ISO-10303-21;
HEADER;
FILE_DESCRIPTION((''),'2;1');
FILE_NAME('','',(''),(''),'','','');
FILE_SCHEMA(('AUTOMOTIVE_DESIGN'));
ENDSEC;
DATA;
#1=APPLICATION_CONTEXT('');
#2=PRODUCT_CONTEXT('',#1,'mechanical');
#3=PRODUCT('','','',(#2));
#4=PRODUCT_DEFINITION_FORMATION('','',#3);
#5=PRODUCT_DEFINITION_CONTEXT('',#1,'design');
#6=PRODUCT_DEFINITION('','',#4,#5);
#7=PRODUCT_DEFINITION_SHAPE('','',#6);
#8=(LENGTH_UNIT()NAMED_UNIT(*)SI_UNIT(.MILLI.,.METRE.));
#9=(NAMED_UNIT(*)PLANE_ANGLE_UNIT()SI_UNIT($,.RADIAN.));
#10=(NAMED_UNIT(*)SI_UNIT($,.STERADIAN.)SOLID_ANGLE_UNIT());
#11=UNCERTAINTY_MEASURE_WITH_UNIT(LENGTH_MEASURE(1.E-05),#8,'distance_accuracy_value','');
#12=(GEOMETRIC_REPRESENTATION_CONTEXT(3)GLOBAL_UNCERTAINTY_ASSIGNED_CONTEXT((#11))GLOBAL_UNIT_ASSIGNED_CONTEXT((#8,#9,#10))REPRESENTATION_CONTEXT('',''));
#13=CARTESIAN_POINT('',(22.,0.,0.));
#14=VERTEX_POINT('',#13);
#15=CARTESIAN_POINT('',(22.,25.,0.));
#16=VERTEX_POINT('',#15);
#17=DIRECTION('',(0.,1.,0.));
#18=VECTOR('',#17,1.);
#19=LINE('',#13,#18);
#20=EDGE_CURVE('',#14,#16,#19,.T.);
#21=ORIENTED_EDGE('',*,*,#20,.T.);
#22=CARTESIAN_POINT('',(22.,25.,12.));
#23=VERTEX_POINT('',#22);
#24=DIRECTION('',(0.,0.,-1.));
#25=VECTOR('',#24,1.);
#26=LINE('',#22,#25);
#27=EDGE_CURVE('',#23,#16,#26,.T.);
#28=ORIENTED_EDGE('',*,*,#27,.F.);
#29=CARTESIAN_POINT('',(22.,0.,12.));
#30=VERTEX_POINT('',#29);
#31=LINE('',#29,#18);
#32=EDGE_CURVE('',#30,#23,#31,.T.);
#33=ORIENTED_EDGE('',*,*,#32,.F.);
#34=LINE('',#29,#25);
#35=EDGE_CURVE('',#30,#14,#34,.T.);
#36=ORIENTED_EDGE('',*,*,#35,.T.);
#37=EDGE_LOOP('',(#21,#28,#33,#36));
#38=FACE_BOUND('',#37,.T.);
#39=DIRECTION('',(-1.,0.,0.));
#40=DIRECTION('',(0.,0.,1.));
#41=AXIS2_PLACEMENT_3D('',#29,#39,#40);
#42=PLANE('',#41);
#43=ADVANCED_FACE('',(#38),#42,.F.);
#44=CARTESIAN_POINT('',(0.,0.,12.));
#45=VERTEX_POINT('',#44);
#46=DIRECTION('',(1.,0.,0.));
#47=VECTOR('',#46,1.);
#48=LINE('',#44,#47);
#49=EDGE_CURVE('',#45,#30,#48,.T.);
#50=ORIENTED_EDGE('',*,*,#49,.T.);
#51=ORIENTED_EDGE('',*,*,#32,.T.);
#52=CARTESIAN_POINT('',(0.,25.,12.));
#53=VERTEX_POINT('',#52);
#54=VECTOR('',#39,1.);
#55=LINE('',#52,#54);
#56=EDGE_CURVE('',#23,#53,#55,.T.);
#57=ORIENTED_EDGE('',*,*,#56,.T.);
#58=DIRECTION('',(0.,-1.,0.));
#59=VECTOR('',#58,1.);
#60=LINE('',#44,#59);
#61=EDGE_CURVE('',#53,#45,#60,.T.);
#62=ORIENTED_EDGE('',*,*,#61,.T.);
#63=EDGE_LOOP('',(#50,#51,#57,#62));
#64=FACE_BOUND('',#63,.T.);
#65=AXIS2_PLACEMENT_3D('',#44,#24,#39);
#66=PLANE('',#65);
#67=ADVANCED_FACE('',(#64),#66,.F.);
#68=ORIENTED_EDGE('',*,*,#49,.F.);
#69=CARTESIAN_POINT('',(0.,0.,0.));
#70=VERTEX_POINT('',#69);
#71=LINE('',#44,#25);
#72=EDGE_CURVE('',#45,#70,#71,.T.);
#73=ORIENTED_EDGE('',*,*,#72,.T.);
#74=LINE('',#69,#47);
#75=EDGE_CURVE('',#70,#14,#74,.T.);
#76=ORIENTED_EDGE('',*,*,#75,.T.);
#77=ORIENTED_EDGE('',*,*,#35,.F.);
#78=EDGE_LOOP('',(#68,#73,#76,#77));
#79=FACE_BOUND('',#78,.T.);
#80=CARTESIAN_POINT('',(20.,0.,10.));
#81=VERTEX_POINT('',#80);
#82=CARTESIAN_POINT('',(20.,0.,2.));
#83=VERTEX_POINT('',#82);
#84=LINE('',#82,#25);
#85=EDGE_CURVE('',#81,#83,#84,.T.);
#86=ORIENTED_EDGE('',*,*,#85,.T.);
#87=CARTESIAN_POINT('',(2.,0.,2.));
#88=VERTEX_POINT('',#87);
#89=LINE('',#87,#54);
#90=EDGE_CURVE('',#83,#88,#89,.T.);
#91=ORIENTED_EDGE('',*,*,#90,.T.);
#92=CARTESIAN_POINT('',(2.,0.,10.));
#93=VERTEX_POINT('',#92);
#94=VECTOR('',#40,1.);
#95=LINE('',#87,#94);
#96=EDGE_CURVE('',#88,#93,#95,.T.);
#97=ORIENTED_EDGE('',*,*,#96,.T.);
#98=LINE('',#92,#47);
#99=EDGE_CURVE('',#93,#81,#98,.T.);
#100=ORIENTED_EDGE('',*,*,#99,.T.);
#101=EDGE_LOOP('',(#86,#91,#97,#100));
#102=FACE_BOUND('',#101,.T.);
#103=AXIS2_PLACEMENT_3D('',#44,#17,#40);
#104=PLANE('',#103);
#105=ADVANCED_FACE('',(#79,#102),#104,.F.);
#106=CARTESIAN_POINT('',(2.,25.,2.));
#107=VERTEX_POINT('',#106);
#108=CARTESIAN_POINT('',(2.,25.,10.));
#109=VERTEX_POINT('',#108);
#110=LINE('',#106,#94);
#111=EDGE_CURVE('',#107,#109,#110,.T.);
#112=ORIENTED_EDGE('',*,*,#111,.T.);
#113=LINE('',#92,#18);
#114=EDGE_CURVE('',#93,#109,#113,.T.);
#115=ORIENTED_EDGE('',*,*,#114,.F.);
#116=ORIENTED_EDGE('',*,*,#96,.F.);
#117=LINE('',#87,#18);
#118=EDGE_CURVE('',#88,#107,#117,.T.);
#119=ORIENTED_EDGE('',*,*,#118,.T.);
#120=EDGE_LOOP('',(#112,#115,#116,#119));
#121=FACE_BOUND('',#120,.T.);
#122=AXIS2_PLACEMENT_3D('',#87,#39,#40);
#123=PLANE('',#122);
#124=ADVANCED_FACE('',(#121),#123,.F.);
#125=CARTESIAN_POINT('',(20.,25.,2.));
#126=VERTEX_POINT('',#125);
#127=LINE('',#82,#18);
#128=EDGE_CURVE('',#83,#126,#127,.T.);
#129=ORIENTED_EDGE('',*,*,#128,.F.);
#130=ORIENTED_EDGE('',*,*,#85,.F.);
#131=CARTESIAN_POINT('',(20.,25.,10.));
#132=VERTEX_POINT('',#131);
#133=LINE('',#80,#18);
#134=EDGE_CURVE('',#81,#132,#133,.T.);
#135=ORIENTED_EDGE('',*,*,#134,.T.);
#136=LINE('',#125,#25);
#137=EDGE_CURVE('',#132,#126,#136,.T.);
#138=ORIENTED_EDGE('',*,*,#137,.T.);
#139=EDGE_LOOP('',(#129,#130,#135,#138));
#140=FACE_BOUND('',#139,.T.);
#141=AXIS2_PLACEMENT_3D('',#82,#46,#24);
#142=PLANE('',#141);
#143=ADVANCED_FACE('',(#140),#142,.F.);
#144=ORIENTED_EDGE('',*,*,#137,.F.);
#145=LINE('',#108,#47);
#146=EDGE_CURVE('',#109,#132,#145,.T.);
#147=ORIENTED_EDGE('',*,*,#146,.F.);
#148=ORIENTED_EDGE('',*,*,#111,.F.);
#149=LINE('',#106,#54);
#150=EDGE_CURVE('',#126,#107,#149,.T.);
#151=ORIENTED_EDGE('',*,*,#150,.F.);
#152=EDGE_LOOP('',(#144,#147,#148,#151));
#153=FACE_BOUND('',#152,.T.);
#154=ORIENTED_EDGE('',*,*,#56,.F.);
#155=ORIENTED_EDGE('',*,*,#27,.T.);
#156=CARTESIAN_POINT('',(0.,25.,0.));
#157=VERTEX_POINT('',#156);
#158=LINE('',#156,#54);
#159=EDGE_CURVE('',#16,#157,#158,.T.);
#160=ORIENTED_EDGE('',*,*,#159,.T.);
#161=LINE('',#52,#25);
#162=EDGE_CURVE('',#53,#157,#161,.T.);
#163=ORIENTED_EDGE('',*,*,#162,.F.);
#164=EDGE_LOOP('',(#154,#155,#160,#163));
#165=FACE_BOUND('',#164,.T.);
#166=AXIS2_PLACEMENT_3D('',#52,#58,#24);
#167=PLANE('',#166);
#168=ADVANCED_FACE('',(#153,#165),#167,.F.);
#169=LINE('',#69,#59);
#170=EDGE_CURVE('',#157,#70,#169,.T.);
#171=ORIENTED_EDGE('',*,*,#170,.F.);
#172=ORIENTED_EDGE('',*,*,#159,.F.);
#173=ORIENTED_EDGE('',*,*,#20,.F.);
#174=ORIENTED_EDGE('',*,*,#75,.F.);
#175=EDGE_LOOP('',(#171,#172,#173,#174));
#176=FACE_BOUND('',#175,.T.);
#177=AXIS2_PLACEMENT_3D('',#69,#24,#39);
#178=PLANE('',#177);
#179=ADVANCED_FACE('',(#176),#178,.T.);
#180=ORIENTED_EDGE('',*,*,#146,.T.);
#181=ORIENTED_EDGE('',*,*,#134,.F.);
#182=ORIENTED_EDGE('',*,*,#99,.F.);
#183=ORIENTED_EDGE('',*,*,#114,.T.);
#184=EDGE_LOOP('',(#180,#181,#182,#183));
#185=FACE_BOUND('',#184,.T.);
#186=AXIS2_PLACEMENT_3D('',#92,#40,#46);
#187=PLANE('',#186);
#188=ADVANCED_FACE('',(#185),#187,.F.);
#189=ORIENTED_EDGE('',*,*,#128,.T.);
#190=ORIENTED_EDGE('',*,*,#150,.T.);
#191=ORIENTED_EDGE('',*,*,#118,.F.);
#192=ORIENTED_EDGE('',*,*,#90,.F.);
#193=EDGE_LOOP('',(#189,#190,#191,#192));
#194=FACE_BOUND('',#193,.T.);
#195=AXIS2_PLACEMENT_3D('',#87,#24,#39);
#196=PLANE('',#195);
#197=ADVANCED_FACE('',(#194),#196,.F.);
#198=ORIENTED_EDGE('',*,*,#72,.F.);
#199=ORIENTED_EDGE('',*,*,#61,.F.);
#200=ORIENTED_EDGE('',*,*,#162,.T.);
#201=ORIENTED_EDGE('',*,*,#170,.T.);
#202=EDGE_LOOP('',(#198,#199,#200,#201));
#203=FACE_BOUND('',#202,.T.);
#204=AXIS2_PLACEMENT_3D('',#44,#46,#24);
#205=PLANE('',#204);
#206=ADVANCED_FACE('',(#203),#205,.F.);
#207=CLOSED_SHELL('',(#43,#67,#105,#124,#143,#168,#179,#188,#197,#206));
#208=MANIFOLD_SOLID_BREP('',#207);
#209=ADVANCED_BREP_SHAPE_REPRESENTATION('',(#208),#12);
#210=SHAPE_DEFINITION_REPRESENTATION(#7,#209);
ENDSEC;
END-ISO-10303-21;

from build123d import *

# Parameters (mm, degrees)
SKETCH1_W           = 22
SKETCH1_H           = 25
BOSS_EXTRUDE1_DEPTH = 12
SKETCH2_W           = 18
SKETCH2_H           = 8
CUT_EXTRUDE1_DEPTH  = 25


with BuildPart() as part:
    # Sketch1 → Boss-Extrude1 (new body)
    with BuildSketch(Plane.XY):
        with Locations((11, 12.5)):
            Rectangle(SKETCH1_W, SKETCH1_H)
    extrude(amount=BOSS_EXTRUDE1_DEPTH)

    # Sketch2 → Cut-Extrude1 (cut)
    with BuildSketch(Plane(origin=(0, 25, 0), x_dir=(1, 0, 0), z_dir=(0, 1, 0))):
        with Locations((11, -6)):
            Rectangle(SKETCH2_W, SKETCH2_H)
    extrude(amount=-CUT_EXTRUDE1_DEPTH, mode=Mode.SUBTRACT)


solid = part.part
